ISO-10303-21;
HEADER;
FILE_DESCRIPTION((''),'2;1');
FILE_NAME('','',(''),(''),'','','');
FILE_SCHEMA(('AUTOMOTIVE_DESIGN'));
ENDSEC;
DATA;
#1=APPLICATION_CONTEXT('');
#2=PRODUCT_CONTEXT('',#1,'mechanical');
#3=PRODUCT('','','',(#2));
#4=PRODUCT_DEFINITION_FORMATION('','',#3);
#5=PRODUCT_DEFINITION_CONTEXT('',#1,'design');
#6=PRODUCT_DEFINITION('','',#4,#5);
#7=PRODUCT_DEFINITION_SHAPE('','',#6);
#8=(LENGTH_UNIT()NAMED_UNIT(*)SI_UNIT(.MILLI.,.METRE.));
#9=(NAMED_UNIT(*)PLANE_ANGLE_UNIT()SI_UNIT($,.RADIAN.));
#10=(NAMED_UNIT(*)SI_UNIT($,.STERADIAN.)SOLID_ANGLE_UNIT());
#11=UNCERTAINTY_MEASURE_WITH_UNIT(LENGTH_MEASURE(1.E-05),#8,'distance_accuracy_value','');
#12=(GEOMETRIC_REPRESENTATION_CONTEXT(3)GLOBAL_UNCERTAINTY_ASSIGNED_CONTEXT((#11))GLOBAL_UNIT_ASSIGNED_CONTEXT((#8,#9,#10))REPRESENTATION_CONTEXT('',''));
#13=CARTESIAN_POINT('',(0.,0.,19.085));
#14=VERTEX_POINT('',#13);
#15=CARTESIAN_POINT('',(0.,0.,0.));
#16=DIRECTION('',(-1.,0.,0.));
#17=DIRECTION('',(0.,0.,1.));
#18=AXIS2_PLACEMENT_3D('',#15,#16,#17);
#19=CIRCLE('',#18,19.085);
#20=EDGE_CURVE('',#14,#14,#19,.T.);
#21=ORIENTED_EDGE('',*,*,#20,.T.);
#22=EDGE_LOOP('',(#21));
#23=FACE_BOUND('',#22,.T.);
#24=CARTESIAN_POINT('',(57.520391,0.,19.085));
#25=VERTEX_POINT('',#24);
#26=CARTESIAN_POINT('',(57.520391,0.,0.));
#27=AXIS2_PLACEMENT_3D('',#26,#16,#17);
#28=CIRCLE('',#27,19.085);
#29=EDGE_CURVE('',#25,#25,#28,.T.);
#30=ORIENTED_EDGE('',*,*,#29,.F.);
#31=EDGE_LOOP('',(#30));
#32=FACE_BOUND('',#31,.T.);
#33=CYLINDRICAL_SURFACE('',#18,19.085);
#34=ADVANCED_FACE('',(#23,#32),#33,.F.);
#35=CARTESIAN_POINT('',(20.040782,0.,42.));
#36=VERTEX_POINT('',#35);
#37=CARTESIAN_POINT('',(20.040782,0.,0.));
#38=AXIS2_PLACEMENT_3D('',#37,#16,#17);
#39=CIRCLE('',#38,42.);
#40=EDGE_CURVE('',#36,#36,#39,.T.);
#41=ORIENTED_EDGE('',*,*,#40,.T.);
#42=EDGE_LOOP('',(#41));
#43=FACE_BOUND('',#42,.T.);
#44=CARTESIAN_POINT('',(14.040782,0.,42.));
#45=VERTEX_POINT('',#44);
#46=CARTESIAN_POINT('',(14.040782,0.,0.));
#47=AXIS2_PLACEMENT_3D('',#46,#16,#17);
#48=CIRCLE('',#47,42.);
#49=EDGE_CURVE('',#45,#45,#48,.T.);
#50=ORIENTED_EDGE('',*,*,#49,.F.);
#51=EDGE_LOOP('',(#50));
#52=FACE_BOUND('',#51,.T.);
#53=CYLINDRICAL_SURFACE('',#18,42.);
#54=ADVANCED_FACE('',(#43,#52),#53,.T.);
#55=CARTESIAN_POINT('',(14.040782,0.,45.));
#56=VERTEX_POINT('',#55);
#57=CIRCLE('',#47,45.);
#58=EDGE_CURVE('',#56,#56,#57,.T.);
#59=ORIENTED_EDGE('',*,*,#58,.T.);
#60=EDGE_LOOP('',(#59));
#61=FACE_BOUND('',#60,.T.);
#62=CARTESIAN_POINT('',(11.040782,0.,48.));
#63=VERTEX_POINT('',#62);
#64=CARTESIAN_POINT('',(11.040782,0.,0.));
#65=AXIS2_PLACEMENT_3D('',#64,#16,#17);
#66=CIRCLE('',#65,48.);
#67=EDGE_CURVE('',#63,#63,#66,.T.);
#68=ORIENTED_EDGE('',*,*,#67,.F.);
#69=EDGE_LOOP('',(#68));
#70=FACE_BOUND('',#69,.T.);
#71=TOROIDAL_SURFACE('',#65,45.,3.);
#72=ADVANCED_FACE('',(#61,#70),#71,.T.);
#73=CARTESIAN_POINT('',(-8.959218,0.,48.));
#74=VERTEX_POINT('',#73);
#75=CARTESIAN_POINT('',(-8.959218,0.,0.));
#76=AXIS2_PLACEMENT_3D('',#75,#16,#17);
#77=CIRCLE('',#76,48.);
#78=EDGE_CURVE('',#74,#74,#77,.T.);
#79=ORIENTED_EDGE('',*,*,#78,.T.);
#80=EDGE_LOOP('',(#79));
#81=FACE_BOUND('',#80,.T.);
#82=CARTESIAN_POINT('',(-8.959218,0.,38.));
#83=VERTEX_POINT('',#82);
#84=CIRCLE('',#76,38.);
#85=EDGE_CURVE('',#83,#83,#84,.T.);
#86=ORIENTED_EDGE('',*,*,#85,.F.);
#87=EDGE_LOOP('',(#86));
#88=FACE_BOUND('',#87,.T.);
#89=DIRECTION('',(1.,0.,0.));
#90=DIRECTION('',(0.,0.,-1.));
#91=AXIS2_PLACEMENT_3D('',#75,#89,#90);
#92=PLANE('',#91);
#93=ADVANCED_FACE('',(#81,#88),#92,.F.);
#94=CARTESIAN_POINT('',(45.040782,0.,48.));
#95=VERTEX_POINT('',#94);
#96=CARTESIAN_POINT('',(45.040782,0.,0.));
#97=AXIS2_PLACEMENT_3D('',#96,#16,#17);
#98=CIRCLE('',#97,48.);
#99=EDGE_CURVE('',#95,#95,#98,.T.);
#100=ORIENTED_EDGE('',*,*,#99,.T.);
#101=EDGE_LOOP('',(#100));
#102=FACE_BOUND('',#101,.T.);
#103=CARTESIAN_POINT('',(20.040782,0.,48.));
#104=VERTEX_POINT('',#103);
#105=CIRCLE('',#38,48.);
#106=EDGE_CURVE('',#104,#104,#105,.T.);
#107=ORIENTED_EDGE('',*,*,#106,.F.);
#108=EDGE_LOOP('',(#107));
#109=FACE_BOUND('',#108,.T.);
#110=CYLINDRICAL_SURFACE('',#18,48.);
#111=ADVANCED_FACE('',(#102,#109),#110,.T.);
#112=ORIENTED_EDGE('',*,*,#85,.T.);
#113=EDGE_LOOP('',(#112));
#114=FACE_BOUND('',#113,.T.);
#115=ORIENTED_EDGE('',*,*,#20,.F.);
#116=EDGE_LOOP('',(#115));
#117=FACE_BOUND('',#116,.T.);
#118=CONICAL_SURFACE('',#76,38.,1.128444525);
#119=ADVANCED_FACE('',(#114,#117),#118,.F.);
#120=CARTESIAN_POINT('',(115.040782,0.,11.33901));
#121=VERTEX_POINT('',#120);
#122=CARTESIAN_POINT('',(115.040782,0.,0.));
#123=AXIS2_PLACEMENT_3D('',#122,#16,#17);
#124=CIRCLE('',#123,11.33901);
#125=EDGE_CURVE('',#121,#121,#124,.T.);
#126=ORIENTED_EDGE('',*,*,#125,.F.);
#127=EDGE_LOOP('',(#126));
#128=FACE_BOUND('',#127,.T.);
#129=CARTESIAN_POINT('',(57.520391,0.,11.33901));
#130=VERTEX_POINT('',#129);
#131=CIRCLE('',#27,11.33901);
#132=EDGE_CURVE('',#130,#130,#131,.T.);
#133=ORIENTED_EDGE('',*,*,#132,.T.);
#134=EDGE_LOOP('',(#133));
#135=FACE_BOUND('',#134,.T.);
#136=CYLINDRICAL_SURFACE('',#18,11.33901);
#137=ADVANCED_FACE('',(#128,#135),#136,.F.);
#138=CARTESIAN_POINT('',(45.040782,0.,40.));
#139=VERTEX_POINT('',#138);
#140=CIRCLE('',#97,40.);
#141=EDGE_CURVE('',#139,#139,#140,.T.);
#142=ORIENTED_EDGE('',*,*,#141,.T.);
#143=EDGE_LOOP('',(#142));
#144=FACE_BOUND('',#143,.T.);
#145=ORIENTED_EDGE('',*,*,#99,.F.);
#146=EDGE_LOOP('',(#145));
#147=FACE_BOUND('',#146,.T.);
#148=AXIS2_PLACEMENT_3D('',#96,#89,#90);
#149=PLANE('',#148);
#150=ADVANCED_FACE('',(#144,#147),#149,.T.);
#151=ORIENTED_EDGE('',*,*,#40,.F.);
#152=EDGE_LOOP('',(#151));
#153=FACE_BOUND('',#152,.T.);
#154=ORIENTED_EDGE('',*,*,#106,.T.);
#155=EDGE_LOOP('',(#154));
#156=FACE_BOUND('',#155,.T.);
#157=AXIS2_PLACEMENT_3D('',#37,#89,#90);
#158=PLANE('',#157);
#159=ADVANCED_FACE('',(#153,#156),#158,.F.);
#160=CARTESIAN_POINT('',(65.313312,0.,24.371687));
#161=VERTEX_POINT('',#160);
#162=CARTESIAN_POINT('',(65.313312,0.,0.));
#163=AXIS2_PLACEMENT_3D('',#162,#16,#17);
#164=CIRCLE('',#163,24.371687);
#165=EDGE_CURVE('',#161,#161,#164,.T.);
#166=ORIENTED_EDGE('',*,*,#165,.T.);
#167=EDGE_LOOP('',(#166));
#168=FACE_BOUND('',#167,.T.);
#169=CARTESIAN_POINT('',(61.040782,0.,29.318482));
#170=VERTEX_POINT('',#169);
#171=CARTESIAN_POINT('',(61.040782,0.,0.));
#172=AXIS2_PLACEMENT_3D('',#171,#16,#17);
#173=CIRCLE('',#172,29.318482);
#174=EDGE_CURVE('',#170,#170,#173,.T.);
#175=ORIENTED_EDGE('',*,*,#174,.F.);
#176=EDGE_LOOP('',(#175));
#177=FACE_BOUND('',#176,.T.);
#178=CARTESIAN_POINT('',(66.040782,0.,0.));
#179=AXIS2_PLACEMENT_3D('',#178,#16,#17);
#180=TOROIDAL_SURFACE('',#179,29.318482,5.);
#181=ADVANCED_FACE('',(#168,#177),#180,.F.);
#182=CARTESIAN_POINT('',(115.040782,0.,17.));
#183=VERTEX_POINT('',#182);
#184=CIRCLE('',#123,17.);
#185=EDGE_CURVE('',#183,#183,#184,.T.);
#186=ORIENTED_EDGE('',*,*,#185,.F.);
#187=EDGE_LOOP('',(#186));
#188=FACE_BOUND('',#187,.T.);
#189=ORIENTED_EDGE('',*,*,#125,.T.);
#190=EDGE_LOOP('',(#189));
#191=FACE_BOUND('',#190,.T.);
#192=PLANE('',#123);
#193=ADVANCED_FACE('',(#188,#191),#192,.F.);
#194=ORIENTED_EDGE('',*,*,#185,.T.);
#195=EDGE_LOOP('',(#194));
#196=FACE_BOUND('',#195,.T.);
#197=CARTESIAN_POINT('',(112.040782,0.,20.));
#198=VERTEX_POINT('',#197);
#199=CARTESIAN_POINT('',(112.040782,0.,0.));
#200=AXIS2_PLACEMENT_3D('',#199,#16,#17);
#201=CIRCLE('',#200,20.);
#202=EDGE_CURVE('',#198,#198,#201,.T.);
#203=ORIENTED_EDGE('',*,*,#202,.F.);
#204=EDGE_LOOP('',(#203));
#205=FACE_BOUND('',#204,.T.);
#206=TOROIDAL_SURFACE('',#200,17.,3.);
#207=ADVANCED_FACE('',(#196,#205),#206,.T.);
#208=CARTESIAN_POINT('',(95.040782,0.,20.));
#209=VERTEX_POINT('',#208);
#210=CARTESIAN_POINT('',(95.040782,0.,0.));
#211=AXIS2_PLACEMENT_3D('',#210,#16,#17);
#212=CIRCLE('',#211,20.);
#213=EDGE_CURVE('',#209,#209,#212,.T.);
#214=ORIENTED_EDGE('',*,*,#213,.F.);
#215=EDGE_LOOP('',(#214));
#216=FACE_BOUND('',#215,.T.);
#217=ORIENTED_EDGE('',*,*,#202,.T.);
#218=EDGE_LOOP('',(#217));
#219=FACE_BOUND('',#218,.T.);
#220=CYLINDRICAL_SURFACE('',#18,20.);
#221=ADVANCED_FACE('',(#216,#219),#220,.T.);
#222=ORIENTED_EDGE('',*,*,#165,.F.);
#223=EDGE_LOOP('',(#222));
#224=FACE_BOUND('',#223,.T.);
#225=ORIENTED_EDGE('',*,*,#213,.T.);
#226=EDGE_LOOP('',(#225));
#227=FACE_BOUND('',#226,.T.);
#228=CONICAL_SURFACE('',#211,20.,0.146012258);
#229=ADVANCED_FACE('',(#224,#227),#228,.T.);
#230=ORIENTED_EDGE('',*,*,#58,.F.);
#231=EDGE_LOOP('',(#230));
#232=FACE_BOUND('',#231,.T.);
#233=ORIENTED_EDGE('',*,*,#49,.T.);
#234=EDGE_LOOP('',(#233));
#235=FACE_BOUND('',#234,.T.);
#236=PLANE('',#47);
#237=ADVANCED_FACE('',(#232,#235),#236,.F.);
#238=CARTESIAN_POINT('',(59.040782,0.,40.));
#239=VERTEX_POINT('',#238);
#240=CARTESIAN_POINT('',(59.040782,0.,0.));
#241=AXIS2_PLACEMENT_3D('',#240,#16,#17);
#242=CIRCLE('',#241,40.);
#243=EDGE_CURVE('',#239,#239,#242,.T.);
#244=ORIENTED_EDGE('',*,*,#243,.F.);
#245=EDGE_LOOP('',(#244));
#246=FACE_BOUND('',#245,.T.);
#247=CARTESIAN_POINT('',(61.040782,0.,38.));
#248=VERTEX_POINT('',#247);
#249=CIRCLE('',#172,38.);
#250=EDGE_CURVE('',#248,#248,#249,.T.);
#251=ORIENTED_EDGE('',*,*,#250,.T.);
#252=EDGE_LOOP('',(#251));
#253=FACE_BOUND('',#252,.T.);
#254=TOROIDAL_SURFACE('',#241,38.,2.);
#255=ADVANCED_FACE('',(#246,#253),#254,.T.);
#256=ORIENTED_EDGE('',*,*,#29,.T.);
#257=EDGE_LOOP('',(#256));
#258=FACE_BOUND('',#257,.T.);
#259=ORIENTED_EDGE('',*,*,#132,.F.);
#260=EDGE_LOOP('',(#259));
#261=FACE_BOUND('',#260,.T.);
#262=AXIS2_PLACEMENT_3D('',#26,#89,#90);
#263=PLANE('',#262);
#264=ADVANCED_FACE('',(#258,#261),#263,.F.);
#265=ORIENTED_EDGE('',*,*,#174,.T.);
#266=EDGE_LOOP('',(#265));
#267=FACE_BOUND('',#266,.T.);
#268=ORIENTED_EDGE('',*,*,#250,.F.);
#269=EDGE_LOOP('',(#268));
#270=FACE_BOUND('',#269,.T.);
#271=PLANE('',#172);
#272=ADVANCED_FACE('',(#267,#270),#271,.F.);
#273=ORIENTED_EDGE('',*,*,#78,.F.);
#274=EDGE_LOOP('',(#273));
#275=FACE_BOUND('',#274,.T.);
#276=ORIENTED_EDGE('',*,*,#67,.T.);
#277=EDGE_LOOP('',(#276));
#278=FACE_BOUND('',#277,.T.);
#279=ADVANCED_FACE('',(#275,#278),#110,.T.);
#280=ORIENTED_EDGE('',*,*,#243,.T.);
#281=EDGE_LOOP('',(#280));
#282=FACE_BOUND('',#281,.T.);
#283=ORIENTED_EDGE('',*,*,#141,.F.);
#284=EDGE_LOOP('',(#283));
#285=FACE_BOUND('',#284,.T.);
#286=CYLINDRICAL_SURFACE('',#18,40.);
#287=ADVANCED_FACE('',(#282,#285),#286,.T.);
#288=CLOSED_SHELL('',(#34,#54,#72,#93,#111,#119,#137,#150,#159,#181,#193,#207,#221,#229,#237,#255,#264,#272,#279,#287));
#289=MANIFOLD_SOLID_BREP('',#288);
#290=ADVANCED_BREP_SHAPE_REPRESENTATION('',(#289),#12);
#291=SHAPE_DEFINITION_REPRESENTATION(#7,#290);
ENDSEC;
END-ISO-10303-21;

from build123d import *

# Parameters (mm, degrees)
SKETCH1_W = 6
SKETCH1_H = 22.915


with BuildPart() as part:
    # Sketch1 → Revolve1 (revolve)
    with BuildSketch(Plane.XY, mode=Mode.PRIVATE) as revolve1_sk:
        with BuildLine():
            Line((-8.959217604, 38), (0, 19.085))
            Line((0, 19.085), (14.040782396, 19.085))
            Line((14.040782396, 19.085), (14.040782396, 42))
            Line((14.040782396, 42), (14.040782396, 45))
            ThreePointArc((14.040782396, 45), (13.16210274, 47.121320344), (11.040782396, 48))
            Line((11.040782396, 48), (-8.959217604, 48))
            Line((-8.959217604, 48), (-8.959217604, 38))
        make_face()
        with Locations((17.040782396, 30.5425)):
            Rectangle(SKETCH1_W, SKETCH1_H)
        Polygon((20.040782396, 42), (20.040782396, 19.085), (28.557506112, 19.085), (45.040782396, 19.085), (45.040782396, 40), (45.040782396, 48), (20.040782396, 48), align=None)
        with BuildLine():
            Line((57.520391198, 19.085), (57.520391198, 11.33900978))
            Line((57.520391198, 11.33900978), (95.040782396, 11.33900978))
            Line((95.040782396, 11.33900978), (95.040782396, 20))
            Line((95.040782396, 20), (65.313312444, 24.371686758))
            ThreePointArc((65.313312444, 24.371686758), (62.256779901, 26.050252773), (61.040782396, 29.318482435))
            Line((61.040782396, 29.318482435), (61.040782396, 38))
            ThreePointArc((61.040782396, 38), (60.454995958, 39.414213562), (59.040782396, 40))
            Line((59.040782396, 40), (54.186650367, 40))
            Line((54.186650367, 40), (45.040782396, 40))
            Line((45.040782396, 40), (45.040782396, 19.085))
            Line((45.040782396, 19.085), (57.520391198, 19.085))
        make_face()
        with BuildLine():
            Line((95.040782396, 11.33900978), (115.040782396, 11.33900978))
            Line((115.040782396, 11.33900978), (115.040782396, 17))
            ThreePointArc((115.040782396, 17), (114.16210274, 19.121320344), (112.040782396, 20))
            Line((112.040782396, 20), (95.040782396, 20))
            Line((95.040782396, 20), (95.040782396, 11.33900978))
        make_face()
    revolve(revolve1_sk.sketch.rotate(Axis((0, 0, 0), (1, 0, 0)), 90), axis=Axis((0, 0, 0), (1, 0, 0)))


solid = part.part
